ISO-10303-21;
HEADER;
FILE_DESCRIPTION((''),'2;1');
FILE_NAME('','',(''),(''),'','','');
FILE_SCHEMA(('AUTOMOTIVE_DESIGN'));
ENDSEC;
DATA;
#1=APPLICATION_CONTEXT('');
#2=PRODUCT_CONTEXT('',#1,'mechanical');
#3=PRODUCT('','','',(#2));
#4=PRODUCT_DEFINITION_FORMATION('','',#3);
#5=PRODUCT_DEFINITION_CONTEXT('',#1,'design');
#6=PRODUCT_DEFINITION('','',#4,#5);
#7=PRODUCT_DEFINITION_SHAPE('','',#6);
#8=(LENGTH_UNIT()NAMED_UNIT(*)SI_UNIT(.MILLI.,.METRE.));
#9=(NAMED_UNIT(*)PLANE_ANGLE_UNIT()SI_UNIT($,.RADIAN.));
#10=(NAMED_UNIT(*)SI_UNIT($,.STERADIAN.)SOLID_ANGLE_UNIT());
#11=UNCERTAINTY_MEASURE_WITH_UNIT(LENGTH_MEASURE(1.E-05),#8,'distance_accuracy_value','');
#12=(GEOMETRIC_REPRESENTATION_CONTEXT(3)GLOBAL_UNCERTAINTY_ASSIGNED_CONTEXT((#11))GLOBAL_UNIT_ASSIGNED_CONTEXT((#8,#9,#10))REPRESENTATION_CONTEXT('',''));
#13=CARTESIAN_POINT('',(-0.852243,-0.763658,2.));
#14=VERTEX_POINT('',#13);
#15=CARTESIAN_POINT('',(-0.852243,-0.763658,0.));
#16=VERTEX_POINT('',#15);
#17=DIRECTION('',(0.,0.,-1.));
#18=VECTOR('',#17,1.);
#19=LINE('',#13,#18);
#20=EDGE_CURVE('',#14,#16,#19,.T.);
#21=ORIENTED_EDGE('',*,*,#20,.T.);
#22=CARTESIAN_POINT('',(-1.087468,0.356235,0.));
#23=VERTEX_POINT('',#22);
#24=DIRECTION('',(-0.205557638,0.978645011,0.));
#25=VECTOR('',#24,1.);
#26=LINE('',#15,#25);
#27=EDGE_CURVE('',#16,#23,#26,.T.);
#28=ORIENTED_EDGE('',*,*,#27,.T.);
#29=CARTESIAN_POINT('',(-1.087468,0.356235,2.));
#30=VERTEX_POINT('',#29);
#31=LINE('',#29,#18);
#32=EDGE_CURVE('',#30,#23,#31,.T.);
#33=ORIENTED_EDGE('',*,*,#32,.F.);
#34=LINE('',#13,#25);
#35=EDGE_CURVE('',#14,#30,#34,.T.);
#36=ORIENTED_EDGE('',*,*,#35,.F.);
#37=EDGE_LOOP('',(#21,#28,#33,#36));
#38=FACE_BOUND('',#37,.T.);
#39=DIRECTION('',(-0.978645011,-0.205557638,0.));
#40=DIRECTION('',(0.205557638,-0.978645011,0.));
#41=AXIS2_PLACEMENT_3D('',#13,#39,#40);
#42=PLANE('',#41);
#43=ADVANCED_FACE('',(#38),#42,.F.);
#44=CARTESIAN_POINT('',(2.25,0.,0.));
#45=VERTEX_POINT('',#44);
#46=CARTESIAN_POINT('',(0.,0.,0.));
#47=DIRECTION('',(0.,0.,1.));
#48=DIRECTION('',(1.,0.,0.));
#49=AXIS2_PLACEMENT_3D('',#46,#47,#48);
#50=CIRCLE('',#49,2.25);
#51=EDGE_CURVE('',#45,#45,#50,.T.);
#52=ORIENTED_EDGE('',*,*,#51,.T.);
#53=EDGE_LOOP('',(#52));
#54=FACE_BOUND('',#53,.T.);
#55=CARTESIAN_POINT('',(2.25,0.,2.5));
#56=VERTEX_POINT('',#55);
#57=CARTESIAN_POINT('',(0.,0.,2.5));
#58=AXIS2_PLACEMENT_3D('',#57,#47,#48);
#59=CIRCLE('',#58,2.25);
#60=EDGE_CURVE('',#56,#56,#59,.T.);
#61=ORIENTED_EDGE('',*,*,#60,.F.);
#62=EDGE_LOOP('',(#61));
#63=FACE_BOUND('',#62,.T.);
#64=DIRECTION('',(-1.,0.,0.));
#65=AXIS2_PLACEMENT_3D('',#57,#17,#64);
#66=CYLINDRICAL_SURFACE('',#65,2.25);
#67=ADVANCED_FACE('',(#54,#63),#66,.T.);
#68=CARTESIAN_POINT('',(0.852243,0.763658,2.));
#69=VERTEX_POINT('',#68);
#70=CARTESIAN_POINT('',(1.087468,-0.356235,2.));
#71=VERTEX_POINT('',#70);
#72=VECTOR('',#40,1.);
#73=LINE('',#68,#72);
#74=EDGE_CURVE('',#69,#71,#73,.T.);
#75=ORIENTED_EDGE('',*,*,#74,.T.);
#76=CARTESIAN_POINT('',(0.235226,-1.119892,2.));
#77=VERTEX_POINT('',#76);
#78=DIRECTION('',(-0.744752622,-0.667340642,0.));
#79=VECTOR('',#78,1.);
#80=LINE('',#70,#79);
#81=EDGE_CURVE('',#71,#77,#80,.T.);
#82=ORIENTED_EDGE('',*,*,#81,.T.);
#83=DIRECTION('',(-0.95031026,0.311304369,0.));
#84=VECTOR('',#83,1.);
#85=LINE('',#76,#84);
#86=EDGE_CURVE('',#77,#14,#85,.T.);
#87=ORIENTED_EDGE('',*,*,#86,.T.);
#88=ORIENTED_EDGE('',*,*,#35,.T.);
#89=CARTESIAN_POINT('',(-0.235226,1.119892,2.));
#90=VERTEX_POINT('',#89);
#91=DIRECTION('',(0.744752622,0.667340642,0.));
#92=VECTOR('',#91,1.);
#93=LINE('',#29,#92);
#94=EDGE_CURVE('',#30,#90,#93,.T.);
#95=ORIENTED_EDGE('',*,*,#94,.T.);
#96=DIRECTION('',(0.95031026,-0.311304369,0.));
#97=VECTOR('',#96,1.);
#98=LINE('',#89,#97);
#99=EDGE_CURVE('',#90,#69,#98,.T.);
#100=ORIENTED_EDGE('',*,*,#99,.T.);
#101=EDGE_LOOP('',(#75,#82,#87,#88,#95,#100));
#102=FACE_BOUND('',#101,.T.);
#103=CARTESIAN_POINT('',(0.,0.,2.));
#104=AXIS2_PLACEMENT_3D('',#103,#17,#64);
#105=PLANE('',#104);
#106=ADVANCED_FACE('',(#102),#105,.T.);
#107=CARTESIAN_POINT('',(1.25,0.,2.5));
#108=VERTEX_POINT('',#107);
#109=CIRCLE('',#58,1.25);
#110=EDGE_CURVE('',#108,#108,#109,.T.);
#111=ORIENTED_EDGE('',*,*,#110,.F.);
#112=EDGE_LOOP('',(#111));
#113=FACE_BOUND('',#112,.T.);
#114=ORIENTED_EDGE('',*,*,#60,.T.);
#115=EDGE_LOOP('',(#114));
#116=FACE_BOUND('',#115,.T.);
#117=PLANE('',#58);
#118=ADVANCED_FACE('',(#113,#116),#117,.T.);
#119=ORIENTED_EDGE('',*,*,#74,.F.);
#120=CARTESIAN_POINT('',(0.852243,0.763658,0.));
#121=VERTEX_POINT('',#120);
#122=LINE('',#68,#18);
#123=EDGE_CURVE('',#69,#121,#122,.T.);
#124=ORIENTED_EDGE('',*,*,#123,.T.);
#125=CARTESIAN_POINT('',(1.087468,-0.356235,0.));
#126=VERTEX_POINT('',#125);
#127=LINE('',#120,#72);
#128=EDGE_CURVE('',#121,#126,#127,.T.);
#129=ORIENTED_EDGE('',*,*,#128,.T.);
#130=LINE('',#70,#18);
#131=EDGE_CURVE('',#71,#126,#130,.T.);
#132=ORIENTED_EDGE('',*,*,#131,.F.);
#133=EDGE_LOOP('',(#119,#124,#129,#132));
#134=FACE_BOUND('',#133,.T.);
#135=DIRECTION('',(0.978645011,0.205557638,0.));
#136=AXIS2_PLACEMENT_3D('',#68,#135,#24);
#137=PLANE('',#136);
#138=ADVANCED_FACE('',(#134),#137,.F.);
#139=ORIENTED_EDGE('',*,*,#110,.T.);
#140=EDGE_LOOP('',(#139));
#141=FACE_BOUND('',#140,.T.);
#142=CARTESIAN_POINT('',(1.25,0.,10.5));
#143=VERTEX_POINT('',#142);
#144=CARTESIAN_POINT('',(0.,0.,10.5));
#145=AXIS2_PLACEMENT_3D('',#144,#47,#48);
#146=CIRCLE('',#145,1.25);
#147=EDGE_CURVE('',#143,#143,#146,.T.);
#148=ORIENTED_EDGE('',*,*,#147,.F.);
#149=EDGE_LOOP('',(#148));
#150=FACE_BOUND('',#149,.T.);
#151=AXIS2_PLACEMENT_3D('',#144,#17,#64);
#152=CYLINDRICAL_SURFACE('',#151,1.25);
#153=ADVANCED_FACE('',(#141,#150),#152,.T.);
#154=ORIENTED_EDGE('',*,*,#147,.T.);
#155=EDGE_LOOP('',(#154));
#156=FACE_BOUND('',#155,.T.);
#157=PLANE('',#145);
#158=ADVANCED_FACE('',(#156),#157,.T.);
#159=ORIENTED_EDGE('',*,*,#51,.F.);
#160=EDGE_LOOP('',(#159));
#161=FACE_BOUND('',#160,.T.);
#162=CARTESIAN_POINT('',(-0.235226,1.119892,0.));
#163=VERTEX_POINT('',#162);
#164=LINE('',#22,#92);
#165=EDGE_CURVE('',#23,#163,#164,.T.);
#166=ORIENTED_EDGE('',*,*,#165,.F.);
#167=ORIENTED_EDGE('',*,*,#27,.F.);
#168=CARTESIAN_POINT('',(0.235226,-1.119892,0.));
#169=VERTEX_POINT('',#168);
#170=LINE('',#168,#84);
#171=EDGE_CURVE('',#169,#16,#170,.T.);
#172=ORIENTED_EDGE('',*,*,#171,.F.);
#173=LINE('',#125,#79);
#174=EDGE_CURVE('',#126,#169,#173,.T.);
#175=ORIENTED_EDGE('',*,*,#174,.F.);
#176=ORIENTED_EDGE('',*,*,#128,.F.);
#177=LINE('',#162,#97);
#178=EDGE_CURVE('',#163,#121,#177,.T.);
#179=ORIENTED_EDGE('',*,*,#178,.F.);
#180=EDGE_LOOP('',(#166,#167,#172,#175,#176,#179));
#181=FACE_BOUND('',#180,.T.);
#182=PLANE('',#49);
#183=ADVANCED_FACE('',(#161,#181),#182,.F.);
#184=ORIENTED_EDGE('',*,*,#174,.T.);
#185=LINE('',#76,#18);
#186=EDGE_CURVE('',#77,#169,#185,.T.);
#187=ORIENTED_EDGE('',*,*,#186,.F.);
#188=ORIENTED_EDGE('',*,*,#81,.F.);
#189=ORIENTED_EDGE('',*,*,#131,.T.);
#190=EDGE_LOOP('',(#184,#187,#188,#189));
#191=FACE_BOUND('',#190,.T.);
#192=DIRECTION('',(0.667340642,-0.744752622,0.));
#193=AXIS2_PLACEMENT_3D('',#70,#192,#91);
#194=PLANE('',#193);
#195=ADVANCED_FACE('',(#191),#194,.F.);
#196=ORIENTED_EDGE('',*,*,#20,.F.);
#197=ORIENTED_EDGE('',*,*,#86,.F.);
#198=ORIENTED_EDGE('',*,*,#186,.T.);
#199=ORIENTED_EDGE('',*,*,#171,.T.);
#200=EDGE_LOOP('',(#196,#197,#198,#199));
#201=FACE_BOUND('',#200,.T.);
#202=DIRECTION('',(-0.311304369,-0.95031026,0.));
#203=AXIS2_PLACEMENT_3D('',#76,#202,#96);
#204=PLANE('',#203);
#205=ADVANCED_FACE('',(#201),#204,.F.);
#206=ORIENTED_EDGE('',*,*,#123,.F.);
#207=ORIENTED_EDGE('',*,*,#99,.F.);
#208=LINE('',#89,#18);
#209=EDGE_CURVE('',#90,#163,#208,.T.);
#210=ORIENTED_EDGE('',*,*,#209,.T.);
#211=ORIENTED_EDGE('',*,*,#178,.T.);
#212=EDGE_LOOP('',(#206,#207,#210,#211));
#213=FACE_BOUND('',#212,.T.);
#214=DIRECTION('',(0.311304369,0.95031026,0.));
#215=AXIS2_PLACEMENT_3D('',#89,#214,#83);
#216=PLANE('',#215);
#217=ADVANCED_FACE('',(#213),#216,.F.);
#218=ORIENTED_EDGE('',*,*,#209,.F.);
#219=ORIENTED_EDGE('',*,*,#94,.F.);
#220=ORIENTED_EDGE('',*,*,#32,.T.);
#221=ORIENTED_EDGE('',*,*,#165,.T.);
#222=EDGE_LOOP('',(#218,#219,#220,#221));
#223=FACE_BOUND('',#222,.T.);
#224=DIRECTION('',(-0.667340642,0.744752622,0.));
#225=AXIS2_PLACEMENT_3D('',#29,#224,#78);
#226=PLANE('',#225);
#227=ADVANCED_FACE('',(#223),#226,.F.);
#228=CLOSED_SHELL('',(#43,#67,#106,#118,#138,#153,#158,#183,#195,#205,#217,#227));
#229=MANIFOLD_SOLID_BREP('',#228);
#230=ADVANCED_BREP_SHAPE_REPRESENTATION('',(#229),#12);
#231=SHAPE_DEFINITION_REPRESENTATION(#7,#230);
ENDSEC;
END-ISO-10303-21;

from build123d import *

# Parameters (mm, degrees)
SKETCH_1_R          = 2.25
EXTRUDE_1_DEPTH     = 2.5
SKETCH_2_R          = 1.25
EXTRUDE_2_DEPTH     = 8
CUT_EXTRUDE_1_DEPTH = 2


with BuildPart() as part:
    # ｽｹｯﾁ1 → ﾎﾞｽ - 押し出し1 (new body)
    with BuildSketch(Plane.XY):
        Circle(SKETCH_1_R)
    extrude(amount=EXTRUDE_1_DEPTH)

    # ｽｹｯﾁ2 → ﾎﾞｽ - 押し出し2 (add)
    with BuildSketch(Plane.XY.offset(2.5)):
        Circle(SKETCH_2_R)
    extrude(amount=EXTRUDE_2_DEPTH)

    # ｽｹｯﾁ3 → ｶｯﾄ - 押し出し1 (cut)
    with BuildSketch(Plane(origin=(0, 0, 0), x_dir=(-1, 0, 0), z_dir=(0, 0, -1))):
        Polygon((0.852242502, -0.763657679), (1.087468201, 0.356234818), (0.235225699, 1.119892496), (-0.852242502, 0.763657679), (-1.087468201, -0.356234818), (-0.235225699, -1.119892496), align=None)
    extrude(amount=-CUT_EXTRUDE_1_DEPTH, mode=Mode.SUBTRACT)


solid = part.part
